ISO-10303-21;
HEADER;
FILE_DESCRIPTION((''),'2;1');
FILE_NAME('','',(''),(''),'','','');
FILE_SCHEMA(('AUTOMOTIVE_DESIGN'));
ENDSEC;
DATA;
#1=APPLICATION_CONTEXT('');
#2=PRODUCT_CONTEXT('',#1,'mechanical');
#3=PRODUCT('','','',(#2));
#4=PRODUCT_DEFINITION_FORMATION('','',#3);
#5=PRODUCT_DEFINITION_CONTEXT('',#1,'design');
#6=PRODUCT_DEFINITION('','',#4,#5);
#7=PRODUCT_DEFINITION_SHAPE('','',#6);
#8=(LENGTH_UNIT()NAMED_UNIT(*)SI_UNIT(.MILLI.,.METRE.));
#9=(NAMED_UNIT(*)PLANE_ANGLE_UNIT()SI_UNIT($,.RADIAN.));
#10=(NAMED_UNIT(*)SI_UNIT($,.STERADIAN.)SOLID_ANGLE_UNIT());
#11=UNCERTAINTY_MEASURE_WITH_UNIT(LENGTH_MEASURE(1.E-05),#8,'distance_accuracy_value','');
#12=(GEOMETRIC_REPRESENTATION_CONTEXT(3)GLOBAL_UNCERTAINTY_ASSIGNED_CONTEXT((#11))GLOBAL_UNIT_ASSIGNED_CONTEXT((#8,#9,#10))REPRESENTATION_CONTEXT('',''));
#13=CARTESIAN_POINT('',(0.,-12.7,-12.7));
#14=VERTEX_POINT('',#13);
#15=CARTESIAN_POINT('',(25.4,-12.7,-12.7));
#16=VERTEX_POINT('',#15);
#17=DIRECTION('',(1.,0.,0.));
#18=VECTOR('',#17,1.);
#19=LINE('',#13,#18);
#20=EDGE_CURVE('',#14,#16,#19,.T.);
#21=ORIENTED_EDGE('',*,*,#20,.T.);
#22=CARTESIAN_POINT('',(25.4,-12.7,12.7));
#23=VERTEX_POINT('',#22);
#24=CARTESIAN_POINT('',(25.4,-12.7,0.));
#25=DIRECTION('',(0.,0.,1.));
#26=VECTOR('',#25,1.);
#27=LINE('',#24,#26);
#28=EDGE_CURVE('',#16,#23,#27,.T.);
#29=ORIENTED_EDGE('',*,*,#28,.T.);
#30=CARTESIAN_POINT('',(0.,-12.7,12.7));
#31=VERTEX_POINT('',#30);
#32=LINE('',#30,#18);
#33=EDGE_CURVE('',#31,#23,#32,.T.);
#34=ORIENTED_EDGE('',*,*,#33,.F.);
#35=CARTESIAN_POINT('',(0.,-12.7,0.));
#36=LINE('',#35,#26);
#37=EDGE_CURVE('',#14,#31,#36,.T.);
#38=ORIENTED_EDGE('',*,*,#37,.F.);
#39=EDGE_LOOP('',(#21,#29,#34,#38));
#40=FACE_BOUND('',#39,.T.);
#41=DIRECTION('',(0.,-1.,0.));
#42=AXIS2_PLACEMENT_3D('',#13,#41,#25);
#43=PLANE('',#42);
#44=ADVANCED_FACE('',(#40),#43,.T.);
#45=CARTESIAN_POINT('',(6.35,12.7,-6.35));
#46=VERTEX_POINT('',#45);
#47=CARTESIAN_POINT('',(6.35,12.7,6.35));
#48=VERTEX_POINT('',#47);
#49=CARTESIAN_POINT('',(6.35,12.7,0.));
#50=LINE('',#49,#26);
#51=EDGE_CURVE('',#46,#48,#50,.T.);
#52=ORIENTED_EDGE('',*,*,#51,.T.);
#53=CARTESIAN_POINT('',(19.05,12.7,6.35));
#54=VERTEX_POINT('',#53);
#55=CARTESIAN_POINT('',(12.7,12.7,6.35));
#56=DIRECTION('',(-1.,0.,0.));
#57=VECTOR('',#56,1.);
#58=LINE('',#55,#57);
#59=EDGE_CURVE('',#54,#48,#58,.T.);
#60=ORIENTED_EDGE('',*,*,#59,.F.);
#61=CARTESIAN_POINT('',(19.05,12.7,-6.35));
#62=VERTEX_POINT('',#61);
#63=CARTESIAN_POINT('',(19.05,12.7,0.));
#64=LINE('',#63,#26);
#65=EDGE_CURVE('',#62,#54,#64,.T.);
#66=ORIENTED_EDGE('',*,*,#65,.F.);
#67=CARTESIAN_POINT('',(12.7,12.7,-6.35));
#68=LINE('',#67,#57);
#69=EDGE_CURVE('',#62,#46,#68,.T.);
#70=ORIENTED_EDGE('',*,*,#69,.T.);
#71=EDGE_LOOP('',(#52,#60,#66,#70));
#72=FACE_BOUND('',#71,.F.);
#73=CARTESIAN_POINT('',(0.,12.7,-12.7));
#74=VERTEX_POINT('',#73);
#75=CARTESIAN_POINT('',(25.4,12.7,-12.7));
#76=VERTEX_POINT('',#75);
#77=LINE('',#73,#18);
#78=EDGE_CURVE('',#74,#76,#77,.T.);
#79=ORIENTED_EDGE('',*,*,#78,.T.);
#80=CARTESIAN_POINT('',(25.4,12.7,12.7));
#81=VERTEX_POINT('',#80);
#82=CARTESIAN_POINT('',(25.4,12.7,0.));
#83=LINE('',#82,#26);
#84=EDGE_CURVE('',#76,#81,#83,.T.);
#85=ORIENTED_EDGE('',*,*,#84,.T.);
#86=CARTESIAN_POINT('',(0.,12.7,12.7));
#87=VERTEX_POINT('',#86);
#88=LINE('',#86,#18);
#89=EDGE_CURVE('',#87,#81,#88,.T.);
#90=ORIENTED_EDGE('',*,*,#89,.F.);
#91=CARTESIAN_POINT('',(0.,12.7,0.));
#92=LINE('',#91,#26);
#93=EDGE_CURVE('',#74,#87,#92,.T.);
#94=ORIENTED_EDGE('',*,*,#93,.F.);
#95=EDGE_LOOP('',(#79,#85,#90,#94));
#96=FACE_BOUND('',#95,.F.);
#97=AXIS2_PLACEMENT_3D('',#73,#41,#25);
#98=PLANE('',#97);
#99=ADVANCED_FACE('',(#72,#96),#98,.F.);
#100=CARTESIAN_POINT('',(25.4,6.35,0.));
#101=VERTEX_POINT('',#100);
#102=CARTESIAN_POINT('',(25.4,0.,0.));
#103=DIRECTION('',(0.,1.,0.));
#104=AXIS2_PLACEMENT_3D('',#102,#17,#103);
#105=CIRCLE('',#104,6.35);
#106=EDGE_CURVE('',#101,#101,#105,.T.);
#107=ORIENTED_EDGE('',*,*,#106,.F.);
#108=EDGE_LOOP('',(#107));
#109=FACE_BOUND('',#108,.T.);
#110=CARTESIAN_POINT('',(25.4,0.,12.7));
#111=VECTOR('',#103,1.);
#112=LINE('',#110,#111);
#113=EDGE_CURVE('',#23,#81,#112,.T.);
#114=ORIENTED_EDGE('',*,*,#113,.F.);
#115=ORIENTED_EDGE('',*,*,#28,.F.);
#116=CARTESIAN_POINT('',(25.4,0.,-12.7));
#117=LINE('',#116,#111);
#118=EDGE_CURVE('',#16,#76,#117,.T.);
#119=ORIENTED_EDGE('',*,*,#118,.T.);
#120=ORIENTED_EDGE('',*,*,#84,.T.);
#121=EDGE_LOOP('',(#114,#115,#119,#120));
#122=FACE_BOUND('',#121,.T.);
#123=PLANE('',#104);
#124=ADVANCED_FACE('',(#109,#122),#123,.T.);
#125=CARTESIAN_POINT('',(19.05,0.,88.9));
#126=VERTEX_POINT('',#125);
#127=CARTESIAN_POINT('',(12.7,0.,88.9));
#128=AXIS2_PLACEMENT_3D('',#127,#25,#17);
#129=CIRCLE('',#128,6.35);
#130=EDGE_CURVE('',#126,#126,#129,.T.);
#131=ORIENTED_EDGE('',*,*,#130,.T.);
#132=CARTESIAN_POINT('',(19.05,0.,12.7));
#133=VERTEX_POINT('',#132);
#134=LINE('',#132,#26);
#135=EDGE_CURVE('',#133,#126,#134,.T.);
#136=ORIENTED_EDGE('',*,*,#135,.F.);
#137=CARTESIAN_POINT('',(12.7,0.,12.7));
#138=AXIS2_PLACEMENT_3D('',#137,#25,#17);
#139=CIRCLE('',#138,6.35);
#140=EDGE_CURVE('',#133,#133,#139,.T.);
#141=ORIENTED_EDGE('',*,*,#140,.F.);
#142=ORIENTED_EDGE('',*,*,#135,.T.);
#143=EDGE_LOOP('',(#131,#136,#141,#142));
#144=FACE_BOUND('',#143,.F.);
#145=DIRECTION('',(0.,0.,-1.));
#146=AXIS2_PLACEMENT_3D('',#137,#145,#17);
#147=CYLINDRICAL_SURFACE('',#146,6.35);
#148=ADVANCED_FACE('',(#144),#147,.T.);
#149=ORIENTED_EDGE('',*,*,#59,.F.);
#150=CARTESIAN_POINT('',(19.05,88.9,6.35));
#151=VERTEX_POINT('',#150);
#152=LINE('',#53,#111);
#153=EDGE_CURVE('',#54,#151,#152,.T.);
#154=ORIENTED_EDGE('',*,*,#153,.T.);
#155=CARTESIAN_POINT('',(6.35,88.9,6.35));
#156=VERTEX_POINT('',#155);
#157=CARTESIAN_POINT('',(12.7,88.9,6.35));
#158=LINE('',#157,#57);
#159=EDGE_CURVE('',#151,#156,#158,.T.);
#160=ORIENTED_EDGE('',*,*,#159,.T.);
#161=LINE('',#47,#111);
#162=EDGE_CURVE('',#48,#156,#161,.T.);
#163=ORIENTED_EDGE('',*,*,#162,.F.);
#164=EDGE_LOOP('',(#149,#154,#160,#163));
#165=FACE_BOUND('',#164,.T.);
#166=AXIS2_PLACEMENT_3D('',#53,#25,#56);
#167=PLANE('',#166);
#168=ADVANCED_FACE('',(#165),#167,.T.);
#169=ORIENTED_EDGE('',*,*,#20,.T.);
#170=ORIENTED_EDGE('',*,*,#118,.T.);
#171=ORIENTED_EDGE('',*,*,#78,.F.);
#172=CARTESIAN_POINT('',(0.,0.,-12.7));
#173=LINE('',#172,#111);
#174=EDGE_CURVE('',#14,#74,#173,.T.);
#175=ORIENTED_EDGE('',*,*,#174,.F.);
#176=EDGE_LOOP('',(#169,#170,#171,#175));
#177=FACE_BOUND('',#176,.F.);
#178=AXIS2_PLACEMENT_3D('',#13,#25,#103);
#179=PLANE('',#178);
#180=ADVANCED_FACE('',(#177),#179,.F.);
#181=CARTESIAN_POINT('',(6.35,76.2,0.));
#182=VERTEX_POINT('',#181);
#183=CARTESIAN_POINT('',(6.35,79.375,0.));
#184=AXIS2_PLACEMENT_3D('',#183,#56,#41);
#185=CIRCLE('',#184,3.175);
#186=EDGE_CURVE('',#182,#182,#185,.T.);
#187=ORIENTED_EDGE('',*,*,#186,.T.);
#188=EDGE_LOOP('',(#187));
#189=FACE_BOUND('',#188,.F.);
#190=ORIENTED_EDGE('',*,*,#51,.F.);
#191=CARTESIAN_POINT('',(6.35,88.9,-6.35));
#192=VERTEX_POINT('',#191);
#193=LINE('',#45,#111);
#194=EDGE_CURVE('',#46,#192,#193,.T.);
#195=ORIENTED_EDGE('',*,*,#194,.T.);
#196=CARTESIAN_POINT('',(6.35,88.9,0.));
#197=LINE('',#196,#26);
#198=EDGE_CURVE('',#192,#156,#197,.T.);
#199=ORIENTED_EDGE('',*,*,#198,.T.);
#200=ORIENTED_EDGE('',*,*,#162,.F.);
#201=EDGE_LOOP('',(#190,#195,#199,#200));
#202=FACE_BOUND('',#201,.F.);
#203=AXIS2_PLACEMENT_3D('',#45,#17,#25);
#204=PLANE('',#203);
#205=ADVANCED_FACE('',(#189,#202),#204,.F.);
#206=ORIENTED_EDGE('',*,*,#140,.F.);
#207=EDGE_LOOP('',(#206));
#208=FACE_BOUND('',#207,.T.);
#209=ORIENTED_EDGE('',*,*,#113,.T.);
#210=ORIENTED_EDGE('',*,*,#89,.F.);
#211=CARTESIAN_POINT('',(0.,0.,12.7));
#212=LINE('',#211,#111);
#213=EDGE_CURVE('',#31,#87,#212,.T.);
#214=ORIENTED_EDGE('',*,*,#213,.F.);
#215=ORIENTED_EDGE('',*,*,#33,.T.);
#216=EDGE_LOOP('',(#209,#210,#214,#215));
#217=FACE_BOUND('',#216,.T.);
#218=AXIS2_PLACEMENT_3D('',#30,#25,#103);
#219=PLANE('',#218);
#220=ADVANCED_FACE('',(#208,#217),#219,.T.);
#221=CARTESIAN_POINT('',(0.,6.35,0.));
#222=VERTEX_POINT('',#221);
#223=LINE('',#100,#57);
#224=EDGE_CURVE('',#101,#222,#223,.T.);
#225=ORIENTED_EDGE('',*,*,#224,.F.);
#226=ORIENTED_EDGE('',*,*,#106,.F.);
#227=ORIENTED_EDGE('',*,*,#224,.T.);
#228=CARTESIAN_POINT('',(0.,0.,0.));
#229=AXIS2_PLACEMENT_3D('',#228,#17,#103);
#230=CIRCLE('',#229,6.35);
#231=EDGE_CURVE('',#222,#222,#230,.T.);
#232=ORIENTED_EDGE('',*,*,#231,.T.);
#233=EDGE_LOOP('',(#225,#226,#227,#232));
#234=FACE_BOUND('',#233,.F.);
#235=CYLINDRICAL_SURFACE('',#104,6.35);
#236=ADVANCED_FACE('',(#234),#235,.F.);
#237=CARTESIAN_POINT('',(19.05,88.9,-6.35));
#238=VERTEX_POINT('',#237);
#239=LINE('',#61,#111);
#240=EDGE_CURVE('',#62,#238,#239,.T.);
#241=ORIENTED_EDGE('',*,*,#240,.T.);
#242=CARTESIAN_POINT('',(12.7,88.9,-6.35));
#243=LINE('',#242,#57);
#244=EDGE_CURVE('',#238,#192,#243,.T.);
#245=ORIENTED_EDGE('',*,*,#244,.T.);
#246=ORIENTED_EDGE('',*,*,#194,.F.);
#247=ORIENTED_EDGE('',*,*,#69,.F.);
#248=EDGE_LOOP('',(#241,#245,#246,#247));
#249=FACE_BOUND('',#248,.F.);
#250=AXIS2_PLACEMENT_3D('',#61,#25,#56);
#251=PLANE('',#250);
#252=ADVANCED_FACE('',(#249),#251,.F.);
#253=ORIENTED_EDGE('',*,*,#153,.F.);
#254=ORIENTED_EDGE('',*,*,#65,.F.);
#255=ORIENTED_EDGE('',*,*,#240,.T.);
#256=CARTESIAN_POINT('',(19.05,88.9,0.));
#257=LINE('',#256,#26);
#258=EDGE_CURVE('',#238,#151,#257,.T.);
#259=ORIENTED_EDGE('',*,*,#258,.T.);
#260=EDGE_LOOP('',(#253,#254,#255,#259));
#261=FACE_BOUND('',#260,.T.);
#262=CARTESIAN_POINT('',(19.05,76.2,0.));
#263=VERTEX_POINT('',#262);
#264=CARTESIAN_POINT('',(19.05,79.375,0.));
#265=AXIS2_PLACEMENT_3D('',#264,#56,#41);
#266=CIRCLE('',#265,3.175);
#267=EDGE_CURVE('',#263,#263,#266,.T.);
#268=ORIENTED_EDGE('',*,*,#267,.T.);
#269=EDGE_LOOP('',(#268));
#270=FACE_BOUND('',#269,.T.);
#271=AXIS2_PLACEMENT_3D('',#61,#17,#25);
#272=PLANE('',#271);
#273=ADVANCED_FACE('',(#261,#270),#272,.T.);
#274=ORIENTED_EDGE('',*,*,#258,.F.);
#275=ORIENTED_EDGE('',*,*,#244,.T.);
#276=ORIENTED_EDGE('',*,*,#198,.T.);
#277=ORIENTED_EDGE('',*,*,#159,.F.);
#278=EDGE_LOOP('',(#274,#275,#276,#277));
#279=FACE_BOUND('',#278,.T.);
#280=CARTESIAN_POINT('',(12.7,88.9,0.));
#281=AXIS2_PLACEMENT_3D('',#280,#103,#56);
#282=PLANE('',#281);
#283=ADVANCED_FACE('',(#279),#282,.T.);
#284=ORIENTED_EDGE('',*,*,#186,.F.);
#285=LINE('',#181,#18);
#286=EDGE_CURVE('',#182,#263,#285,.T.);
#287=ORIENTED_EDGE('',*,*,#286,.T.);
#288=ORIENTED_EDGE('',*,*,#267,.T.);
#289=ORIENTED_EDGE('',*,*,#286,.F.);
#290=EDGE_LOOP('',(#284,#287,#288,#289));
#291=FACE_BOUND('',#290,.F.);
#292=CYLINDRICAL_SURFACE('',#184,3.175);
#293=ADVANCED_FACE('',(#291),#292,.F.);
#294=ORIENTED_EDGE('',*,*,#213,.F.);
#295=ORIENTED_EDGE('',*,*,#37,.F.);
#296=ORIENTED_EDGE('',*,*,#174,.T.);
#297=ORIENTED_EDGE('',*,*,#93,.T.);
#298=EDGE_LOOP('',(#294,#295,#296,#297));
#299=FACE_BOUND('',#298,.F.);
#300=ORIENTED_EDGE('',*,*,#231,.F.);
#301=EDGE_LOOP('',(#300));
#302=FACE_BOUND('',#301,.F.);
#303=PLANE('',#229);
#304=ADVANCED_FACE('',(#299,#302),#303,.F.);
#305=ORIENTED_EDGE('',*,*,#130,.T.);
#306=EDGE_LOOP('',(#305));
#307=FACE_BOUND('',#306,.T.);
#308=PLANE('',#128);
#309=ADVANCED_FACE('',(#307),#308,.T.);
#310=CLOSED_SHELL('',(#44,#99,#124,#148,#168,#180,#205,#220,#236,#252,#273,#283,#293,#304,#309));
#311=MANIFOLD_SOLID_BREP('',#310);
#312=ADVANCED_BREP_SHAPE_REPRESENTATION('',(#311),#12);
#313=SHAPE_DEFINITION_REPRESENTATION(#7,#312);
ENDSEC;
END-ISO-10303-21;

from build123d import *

# Parameters (mm, degrees)
F0_W     = 25.4
F0_H     = 25.4
F1_DEPTH = 25.4
F2_R     = 6.35
F3_DEPTH = 25.4
F4_R     = 6.35
F5_DEPTH = 76.2
F6_W     = 12.7
F6_H     = 12.7
F7_DEPTH = 76.2
F8_R     = 3.175
F9_DEPTH = 25.4


with BuildPart() as f1:
    # F0 (on Right) → F1 (new body)
    with BuildSketch(Plane.YZ):
        Rectangle(F0_W, F0_H)
    extrude(amount=F1_DEPTH)

    # F2 (on face) → F3 (cut)
    with BuildSketch(Plane.YZ.offset(25.4)):
        Circle(F2_R)
    extrude(amount=-F3_DEPTH, mode=Mode.SUBTRACT)

    # F4 (on face) → F5 (join)
    with BuildSketch(Plane.XY.offset(12.7)):
        with Locations((12.7, 0)):
            Circle(F4_R)
    extrude(amount=F5_DEPTH)

    # F6 (on face) → F7 (join)
    with BuildSketch(Plane(origin=(0, 12.7, 0), x_dir=(-1, 0, 0), z_dir=(0, 1, 0))):
        with Locations((-12.7, 0)):
            Rectangle(F6_W, F6_H)
    extrude(amount=F7_DEPTH)

    # F8 (on face) → F9 (cut)
    with BuildSketch(Plane(origin=(6.35, 0, 0), x_dir=(0, -1, 0), z_dir=(-1, 0, 0))):
        with Locations((-79.375, 0)):
            Circle(F8_R)
    extrude(amount=-F9_DEPTH, mode=Mode.SUBTRACT)


solid = f1.part
